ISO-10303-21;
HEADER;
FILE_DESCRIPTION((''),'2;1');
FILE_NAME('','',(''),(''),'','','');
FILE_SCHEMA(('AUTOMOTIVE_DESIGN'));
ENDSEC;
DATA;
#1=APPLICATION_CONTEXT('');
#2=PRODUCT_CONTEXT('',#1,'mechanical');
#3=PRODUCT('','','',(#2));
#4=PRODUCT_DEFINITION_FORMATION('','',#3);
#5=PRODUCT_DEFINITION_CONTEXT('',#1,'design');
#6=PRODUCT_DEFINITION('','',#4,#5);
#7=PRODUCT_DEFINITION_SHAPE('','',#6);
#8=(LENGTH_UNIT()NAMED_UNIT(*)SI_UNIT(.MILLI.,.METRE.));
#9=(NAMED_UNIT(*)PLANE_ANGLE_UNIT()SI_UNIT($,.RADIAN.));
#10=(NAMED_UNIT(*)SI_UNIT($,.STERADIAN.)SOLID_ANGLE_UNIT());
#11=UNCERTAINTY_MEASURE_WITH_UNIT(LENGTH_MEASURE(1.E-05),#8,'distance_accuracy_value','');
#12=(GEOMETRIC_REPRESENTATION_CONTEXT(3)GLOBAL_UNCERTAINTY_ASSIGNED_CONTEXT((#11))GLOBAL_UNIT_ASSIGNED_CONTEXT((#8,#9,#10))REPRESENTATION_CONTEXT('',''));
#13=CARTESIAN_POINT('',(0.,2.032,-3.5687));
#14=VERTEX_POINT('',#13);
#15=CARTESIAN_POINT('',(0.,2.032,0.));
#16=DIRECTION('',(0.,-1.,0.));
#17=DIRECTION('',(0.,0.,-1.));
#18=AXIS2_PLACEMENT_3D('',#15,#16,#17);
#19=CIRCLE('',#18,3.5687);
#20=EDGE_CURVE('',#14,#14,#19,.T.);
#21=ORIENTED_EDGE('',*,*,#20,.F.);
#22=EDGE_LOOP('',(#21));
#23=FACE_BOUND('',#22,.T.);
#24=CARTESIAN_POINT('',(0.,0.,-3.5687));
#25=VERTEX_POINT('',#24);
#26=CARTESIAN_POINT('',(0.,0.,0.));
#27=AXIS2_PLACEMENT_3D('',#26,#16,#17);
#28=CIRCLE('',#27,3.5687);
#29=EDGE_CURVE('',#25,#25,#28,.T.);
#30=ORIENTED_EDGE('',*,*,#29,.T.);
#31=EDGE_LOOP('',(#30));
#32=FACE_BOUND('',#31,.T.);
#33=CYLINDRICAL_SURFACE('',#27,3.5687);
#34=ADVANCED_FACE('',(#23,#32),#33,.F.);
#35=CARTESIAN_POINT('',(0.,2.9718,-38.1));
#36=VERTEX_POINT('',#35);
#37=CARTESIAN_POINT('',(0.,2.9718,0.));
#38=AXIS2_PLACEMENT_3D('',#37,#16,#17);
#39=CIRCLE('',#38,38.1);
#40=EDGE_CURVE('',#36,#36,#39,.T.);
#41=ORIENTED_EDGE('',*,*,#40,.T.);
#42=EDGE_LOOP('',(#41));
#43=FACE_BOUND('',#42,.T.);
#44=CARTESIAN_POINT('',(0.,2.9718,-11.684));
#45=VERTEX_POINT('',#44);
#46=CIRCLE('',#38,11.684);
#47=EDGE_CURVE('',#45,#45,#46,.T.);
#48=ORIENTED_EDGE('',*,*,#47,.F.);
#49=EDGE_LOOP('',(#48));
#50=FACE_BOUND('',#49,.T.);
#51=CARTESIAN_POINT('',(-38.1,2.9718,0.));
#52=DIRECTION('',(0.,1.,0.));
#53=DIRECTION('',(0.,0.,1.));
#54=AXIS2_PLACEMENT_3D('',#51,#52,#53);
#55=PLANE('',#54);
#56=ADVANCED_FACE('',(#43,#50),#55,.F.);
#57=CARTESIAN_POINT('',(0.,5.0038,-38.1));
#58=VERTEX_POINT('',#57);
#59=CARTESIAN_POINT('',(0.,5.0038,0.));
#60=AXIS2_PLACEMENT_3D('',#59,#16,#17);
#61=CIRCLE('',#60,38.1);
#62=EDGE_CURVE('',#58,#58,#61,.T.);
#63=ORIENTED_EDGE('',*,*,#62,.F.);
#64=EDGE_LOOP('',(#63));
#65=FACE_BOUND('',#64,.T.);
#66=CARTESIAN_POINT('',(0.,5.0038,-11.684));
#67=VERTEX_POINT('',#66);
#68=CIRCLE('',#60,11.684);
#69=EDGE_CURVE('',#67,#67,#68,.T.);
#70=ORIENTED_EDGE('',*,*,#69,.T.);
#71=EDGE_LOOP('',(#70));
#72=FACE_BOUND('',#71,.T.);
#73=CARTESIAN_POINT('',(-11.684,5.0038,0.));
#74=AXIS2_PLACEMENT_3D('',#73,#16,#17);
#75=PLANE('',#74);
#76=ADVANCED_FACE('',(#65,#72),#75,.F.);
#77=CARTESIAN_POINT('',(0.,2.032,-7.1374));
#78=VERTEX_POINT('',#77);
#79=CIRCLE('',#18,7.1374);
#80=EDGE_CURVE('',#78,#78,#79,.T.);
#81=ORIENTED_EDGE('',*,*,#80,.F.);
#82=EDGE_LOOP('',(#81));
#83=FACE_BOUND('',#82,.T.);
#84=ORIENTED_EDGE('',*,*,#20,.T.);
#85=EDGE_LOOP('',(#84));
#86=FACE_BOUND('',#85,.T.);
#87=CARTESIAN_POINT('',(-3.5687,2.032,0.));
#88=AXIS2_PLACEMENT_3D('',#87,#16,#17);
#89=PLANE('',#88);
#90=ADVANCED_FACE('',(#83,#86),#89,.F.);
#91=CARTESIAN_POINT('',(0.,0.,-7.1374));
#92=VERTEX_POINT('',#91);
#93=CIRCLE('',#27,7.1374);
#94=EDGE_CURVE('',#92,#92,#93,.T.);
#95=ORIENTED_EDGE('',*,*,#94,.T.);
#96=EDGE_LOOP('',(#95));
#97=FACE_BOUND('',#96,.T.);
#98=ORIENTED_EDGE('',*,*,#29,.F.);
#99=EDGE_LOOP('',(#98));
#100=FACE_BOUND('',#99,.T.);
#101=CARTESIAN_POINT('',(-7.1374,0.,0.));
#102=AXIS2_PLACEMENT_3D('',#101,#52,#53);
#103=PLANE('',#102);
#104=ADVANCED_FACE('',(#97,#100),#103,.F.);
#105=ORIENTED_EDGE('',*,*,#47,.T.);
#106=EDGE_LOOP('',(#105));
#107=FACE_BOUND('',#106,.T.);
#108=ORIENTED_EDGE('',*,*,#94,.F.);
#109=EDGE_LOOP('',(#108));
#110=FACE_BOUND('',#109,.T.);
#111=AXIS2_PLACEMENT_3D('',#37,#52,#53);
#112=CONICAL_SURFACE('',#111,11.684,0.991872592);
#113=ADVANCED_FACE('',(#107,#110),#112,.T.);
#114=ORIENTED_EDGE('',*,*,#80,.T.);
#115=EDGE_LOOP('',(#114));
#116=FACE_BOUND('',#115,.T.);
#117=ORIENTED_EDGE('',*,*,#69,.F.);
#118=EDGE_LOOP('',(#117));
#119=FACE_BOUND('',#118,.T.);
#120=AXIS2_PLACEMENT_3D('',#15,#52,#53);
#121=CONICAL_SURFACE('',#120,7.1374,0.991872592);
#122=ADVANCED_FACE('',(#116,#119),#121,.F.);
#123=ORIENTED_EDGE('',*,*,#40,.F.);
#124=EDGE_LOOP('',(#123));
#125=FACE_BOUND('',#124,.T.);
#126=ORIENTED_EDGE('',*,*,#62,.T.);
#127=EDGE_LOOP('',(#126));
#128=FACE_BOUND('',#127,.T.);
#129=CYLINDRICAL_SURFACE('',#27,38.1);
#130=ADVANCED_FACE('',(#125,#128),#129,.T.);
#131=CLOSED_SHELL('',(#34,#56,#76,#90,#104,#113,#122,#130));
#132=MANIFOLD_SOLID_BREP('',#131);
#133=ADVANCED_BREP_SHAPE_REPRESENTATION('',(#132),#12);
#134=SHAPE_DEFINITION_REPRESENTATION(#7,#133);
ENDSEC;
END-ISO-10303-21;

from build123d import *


with BuildPart() as part:
    # Sketch1 → Revolve1 (revolve)
    with BuildSketch(Plane.XY, mode=Mode.PRIVATE) as revolve1_sk:
        Polygon((-3.5687, 0), (-3.5687, 2.032), (-7.1374, 2.032), (-11.684, 5.0038), (-38.1, 5.0038), (-38.1, 2.9718), (-11.684, 2.9718), (-7.1374, 0), align=None)
    revolve(revolve1_sk.sketch.rotate(Axis((0, 0, 0), (0, 1, 0)), 270), axis=Axis((0, 0, 0), (0, 1, 0)))


solid = part.part
